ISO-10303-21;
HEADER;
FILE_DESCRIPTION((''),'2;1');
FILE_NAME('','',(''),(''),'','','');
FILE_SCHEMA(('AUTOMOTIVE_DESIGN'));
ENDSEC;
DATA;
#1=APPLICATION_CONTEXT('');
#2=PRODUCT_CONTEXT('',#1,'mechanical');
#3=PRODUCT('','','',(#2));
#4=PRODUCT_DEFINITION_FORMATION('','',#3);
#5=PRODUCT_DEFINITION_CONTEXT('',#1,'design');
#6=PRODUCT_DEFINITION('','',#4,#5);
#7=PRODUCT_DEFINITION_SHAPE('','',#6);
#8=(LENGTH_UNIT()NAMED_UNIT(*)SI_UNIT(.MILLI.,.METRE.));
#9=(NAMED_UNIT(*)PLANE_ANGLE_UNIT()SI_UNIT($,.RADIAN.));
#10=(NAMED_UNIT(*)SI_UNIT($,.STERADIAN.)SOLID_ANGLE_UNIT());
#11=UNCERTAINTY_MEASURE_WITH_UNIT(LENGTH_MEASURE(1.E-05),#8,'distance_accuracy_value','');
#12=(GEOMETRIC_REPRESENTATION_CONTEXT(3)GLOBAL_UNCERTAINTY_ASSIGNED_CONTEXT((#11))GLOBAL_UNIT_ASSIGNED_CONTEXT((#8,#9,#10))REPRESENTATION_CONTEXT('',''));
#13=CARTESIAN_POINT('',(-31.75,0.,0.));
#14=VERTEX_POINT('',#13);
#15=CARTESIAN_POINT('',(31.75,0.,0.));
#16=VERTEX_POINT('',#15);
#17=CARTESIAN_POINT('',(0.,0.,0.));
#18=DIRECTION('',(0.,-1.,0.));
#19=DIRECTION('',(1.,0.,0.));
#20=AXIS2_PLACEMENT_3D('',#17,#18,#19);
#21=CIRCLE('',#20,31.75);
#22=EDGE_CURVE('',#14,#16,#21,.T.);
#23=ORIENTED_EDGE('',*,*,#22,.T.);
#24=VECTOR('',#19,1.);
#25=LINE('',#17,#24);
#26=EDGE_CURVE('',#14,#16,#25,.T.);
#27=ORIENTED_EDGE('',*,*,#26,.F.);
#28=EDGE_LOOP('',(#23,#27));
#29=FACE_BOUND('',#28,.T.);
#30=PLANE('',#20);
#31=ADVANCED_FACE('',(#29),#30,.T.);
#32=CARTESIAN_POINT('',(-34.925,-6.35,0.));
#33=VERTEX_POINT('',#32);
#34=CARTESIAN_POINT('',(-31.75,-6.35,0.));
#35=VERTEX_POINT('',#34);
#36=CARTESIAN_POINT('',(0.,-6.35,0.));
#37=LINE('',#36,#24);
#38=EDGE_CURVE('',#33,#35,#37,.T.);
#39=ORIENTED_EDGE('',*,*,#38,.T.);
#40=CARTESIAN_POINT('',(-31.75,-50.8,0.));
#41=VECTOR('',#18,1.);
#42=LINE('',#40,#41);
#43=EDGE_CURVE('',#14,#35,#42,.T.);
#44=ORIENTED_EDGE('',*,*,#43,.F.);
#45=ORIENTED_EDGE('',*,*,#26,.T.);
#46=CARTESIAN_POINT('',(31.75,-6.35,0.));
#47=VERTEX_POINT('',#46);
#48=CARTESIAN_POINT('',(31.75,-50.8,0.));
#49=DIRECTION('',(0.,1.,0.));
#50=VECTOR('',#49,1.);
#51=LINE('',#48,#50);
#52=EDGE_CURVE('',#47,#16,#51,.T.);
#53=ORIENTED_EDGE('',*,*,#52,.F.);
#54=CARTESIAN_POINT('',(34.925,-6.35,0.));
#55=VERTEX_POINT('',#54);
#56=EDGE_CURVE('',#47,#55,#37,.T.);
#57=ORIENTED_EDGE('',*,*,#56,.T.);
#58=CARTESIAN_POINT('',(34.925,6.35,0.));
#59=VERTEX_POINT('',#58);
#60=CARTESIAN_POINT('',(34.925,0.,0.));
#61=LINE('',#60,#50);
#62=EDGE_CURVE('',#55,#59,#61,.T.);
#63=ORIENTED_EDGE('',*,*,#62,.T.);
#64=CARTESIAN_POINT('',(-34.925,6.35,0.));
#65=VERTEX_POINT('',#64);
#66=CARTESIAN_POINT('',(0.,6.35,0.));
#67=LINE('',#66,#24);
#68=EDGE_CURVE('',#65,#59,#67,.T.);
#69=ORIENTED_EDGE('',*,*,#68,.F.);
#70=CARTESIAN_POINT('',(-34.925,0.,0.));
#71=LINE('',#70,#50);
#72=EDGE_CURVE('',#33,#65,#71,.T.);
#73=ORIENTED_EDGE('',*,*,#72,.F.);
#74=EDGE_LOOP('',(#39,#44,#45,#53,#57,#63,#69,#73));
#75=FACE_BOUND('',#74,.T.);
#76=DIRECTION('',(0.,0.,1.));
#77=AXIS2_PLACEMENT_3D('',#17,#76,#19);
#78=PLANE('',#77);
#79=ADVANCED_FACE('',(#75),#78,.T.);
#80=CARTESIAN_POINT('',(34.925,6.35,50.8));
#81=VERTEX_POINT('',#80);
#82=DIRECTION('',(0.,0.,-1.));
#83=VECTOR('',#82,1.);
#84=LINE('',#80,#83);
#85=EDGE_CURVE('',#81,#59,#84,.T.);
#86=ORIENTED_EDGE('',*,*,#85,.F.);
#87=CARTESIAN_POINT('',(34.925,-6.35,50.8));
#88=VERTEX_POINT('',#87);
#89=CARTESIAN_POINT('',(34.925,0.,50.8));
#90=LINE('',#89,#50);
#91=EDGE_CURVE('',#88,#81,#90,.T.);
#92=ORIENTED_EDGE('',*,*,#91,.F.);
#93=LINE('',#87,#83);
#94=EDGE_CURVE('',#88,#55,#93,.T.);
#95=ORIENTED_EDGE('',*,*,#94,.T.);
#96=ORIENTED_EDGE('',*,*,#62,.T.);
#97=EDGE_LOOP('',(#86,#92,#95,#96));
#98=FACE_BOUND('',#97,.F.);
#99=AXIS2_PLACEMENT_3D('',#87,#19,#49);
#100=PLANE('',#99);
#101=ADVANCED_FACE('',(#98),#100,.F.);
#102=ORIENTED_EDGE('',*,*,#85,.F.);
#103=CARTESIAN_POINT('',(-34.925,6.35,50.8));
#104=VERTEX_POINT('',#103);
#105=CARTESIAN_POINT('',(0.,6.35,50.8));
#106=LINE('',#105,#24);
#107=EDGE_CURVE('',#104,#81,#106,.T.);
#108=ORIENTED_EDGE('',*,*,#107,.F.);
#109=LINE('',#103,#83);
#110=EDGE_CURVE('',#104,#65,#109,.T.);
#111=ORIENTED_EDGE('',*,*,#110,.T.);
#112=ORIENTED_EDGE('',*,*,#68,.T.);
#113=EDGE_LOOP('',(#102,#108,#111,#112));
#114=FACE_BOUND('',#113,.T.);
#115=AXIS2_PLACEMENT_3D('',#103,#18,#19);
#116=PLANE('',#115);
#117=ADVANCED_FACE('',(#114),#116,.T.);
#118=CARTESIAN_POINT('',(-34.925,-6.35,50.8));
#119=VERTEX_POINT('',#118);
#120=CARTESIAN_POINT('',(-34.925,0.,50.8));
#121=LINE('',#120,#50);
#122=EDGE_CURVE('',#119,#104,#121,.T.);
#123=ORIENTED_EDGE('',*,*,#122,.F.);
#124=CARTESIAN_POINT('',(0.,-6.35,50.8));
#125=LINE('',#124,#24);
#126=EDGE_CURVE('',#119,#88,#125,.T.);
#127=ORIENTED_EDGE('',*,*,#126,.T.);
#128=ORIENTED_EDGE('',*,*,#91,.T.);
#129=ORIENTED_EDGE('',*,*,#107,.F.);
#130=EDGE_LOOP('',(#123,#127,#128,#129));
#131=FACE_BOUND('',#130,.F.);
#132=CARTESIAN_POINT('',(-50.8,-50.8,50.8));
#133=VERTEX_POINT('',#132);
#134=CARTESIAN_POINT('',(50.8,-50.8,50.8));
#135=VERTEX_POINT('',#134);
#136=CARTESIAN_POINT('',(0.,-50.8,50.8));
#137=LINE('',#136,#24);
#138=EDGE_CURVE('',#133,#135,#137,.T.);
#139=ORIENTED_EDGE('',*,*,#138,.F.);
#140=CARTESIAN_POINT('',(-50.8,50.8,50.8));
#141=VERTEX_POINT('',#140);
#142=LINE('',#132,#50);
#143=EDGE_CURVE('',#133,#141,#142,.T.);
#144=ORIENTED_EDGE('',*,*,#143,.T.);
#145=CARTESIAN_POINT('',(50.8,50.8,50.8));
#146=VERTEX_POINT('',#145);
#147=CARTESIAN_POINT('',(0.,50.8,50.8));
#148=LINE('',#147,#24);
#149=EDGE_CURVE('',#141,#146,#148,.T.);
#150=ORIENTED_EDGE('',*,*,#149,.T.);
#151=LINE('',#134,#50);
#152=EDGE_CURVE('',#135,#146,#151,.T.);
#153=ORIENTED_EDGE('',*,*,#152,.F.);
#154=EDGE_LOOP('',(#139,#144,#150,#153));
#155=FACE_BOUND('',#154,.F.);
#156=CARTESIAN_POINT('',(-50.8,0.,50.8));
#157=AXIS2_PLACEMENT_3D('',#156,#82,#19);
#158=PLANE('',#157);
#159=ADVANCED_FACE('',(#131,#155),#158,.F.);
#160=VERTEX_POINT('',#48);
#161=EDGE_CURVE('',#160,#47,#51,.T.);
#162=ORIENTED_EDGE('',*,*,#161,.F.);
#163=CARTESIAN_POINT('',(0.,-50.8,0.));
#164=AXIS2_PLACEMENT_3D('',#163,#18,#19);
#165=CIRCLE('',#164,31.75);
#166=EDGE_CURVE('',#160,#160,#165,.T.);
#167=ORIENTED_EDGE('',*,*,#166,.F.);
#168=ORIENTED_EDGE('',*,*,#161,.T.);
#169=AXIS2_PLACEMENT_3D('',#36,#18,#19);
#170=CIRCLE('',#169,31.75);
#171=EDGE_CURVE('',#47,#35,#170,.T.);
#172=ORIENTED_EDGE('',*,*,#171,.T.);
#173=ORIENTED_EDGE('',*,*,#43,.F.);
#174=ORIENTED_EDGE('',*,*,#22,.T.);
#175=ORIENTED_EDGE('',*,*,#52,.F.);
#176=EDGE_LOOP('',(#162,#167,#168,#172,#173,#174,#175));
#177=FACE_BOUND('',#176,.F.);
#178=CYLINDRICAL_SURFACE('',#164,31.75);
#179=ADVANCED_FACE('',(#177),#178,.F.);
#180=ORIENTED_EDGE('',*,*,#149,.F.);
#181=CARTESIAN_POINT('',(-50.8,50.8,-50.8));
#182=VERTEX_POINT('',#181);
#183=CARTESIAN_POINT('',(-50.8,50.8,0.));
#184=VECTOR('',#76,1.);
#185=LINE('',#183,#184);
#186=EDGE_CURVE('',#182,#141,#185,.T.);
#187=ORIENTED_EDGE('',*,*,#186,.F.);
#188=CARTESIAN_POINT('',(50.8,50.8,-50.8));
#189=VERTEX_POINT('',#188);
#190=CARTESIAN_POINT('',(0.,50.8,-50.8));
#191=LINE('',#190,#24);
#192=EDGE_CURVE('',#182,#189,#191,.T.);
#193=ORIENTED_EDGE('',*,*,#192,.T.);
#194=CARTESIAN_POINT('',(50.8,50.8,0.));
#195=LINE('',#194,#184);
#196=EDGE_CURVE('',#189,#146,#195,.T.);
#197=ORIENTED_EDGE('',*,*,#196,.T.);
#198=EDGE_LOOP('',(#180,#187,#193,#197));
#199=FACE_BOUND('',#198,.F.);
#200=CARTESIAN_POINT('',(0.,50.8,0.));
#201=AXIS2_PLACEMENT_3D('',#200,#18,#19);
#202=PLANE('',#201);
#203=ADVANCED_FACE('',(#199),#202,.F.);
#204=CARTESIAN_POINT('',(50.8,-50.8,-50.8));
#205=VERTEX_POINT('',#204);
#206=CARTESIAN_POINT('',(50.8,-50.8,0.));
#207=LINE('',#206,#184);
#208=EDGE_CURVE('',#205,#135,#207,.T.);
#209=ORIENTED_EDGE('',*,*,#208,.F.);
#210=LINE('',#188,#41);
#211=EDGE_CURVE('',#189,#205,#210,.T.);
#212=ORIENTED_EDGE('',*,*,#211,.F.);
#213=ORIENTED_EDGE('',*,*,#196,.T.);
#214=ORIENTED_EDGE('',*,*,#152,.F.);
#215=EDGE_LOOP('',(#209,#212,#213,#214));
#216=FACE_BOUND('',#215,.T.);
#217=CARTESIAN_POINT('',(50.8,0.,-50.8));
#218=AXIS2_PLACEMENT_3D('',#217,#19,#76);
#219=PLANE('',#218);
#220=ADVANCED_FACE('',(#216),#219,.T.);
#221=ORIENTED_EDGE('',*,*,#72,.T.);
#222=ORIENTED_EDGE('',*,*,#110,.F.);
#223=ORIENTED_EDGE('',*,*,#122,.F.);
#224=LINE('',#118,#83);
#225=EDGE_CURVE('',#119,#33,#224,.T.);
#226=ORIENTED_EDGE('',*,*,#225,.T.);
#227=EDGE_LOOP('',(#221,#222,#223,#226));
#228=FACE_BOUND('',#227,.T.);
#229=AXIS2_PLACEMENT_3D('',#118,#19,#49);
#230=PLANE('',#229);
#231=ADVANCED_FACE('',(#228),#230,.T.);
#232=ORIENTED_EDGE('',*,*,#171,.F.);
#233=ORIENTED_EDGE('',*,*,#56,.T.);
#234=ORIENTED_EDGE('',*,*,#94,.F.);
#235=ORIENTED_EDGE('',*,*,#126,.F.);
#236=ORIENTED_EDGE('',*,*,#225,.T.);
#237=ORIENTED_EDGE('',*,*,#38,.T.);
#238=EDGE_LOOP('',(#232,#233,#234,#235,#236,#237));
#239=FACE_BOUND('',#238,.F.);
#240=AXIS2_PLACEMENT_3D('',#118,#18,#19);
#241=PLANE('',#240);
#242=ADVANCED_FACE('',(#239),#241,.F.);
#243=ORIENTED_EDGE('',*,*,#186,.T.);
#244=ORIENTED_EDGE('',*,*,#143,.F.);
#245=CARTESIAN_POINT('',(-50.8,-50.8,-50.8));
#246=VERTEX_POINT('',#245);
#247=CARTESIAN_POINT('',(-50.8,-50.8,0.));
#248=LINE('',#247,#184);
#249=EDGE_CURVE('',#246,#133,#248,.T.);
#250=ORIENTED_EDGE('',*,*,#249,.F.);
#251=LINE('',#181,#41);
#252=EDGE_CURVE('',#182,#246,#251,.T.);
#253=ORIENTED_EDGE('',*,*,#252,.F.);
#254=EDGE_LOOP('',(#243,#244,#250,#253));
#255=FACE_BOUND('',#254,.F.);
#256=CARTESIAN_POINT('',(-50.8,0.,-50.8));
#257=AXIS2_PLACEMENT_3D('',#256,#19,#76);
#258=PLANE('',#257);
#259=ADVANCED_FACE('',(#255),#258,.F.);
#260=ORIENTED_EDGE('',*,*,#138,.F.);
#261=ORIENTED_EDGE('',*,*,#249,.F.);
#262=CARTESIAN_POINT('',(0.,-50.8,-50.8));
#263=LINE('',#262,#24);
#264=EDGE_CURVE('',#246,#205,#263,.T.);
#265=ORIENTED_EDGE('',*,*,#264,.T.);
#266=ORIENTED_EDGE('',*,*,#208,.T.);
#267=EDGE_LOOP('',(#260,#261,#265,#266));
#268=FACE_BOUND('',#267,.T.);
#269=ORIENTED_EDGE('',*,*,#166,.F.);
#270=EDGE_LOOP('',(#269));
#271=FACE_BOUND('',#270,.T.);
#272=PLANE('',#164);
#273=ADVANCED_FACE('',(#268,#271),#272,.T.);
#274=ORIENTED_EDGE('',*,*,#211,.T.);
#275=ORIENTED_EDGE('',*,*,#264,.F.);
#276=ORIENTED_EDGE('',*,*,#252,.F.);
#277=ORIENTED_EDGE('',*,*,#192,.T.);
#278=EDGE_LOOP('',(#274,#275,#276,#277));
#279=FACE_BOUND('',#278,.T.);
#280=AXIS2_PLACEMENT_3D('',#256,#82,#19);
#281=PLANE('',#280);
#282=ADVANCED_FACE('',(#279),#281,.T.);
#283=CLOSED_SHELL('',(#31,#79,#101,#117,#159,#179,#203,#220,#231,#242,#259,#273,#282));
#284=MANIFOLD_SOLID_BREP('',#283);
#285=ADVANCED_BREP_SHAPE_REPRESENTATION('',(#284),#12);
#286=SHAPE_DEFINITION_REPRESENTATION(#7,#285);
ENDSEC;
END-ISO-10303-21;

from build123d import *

# Parameters (mm, degrees)
F0_W     = 101.6
F0_H     = 101.6
F1_DEPTH = 50.8
F2_W     = 69.85
F2_H     = 12.7
F3_DEPTH = 50.8
F4_R     = 31.75
F5_DEPTH = 50.8


with BuildPart() as f1:
    # F0 (on Front) → F1 (new body, symmetric)
    with BuildSketch(Plane.XZ):
        Rectangle(F0_W, F0_H)
    extrude(amount=F1_DEPTH, both=True)

    # F2 (on face) → F3 (cut)
    with BuildSketch(Plane.XY.offset(50.8)):
        Rectangle(F2_W, F2_H)
    extrude(amount=-F3_DEPTH, mode=Mode.SUBTRACT)

    # F4 (on face) → F5 (cut)
    with BuildSketch(Plane.XZ.offset(50.8)):
        Circle(F4_R)
    extrude(amount=-F5_DEPTH, mode=Mode.SUBTRACT)


solid = f1.part
